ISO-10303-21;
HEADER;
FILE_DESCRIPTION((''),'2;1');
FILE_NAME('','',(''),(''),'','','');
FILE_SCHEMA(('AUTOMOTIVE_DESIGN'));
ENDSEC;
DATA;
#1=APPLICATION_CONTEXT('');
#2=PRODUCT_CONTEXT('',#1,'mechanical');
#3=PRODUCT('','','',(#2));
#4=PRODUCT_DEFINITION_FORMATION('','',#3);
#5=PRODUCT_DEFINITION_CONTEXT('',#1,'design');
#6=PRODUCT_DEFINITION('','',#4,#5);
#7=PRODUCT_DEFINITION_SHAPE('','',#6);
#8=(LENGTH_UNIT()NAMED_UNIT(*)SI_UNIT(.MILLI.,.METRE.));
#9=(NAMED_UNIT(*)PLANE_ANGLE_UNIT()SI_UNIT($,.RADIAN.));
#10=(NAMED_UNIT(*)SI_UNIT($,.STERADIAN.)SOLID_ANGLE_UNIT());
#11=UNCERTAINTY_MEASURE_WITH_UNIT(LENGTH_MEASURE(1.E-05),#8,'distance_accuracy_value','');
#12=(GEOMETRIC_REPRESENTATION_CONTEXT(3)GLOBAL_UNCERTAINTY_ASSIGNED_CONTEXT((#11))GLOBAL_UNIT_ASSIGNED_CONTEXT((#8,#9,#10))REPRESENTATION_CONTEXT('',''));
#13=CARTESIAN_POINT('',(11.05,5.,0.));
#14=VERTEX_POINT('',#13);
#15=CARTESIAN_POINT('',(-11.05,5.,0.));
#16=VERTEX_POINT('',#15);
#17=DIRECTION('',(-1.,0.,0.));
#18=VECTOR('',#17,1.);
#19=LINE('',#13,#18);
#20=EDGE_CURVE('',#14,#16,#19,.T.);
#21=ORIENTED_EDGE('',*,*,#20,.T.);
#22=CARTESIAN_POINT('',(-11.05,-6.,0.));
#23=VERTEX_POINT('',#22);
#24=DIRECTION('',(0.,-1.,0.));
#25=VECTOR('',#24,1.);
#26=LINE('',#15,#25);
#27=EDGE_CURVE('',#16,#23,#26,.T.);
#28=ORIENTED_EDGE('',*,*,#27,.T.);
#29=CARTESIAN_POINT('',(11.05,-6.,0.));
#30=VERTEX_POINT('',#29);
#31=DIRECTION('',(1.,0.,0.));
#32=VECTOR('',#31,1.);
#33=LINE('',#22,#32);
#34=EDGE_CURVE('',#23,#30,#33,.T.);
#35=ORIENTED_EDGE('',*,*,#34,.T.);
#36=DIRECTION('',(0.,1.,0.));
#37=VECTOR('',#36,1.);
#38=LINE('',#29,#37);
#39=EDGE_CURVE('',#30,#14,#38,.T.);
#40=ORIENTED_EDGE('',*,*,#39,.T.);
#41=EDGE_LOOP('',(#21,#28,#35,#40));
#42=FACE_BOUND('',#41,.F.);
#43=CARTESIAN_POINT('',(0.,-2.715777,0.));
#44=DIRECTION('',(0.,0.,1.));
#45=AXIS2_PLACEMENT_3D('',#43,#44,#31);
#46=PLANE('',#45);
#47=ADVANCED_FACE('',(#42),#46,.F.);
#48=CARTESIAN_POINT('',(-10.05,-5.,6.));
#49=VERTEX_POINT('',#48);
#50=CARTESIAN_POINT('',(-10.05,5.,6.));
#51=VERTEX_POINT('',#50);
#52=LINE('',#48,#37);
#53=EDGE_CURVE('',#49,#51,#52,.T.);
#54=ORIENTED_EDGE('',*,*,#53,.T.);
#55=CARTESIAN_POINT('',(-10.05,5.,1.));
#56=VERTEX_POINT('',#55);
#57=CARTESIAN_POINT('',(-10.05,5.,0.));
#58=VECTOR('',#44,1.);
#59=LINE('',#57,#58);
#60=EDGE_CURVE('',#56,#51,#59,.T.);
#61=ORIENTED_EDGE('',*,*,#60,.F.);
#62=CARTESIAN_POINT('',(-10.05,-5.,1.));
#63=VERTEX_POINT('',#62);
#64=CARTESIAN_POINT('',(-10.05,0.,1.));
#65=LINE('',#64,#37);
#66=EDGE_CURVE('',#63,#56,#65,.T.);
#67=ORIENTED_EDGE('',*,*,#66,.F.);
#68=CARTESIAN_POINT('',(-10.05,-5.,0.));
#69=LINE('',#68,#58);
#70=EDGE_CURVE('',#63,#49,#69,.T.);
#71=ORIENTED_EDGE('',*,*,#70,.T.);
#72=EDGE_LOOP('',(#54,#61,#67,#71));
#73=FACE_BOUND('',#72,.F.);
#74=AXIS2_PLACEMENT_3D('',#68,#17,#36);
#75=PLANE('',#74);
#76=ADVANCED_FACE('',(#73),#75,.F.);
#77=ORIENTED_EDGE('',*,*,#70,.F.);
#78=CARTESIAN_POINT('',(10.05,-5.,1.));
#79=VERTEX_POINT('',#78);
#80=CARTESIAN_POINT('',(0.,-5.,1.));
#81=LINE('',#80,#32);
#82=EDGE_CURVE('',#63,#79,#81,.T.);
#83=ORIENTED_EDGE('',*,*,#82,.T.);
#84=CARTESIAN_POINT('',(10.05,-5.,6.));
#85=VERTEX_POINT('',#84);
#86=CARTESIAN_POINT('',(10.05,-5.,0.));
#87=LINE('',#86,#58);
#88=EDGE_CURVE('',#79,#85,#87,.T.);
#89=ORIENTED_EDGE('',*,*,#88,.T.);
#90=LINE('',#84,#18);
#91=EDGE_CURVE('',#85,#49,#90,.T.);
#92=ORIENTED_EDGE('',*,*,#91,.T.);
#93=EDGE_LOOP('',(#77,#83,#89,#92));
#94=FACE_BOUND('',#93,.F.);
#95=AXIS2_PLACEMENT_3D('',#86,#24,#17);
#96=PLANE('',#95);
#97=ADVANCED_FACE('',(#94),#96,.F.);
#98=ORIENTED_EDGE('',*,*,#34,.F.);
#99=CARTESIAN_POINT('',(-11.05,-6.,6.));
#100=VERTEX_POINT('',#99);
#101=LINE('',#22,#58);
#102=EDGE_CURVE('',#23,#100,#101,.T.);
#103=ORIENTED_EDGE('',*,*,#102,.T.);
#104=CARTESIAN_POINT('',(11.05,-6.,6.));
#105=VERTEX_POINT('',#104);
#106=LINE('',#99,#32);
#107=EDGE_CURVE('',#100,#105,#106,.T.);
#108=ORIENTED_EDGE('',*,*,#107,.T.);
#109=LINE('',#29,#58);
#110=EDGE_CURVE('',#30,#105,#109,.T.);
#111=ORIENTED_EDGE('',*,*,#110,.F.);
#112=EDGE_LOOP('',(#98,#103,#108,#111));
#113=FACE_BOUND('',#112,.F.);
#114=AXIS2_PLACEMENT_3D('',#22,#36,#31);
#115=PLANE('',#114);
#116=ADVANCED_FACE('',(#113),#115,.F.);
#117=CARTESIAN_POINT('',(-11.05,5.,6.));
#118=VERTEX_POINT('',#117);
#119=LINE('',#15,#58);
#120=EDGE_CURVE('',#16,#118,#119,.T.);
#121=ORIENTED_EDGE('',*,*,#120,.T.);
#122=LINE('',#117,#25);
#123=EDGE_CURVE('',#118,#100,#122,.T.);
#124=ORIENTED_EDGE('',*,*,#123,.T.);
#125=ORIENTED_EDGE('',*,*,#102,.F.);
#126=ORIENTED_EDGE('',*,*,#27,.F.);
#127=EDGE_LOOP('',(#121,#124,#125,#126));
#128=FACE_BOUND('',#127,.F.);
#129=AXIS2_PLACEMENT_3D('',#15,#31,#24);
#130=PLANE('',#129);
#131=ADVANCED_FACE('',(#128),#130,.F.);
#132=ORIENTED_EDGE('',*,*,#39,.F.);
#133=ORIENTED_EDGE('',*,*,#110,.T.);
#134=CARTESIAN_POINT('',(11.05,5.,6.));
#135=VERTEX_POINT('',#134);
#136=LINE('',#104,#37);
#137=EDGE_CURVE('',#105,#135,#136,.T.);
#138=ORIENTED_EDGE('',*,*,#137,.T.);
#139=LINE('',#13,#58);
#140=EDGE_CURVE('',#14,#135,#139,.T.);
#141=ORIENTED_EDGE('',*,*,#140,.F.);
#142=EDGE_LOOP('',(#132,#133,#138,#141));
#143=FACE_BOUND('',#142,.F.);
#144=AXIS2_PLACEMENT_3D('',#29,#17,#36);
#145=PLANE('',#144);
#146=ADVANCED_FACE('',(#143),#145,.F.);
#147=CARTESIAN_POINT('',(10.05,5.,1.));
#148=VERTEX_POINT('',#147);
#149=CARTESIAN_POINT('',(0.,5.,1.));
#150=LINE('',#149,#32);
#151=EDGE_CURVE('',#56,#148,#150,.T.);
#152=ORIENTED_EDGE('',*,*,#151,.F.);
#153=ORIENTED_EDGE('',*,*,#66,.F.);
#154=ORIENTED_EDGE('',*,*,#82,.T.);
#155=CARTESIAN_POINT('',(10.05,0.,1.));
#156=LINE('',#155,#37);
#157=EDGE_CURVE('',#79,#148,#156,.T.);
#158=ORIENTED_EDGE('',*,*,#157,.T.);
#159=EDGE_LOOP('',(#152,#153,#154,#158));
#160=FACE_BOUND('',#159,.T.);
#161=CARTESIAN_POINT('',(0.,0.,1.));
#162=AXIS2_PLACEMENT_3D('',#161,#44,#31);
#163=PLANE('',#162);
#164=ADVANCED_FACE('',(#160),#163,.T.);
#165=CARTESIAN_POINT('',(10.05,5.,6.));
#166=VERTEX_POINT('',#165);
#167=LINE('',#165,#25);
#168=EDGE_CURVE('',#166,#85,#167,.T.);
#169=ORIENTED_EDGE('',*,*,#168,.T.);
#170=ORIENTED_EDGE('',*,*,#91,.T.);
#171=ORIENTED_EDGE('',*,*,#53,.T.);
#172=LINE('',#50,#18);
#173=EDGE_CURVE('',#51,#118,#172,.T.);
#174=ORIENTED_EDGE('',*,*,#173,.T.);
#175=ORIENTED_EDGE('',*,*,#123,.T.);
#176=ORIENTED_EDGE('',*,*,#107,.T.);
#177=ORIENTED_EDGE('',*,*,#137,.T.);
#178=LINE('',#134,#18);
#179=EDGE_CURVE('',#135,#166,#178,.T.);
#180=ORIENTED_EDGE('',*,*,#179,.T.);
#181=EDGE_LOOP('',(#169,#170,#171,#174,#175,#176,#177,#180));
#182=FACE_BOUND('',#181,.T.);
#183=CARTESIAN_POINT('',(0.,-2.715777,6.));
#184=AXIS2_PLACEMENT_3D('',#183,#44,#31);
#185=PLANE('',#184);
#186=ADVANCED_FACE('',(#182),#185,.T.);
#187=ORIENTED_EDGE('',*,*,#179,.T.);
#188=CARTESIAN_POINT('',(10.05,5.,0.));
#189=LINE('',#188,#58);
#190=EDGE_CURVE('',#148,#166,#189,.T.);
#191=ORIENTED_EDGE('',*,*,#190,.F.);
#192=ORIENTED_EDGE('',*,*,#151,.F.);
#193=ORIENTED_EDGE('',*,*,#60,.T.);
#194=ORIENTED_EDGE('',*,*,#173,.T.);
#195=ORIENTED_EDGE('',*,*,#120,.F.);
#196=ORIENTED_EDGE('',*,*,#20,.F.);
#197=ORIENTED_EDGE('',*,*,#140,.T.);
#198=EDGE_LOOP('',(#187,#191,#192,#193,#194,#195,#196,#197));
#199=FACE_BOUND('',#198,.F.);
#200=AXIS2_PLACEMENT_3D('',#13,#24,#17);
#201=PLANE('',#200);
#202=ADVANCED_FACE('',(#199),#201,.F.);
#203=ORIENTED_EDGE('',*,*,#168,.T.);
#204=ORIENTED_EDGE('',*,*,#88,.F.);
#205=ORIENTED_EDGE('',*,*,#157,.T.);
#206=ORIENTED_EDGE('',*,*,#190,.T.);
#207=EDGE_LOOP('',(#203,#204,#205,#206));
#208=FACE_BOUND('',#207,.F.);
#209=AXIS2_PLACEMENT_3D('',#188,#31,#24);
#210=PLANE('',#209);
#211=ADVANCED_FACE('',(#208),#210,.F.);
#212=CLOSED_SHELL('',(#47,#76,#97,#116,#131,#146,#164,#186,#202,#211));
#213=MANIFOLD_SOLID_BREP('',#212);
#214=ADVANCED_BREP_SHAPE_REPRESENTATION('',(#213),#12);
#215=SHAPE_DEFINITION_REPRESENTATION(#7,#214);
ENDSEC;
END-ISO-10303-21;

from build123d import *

# Parameters (mm, degrees)
F0_W     = 20.1
F0_H     = 10
F1_DEPTH = 1
F2_DEPTH = 6


with BuildPart() as f1:
    # F0 (on Top) → F1 (new body)
    with BuildSketch(Plane.XY):
        Rectangle(F0_W, F0_H)
    extrude(amount=F1_DEPTH)

    # F0 (on Top) → F2 (join)
    with BuildSketch(Plane.XY):
        Polygon((10.05, 5), (10.05, -5), (-10.05, -5), (-10.05, 5), (-11.05, 5), (-11.05, -6), (11.05, -6), (11.05, 5), align=None)
    extrude(amount=F2_DEPTH)


solid = f1.part
